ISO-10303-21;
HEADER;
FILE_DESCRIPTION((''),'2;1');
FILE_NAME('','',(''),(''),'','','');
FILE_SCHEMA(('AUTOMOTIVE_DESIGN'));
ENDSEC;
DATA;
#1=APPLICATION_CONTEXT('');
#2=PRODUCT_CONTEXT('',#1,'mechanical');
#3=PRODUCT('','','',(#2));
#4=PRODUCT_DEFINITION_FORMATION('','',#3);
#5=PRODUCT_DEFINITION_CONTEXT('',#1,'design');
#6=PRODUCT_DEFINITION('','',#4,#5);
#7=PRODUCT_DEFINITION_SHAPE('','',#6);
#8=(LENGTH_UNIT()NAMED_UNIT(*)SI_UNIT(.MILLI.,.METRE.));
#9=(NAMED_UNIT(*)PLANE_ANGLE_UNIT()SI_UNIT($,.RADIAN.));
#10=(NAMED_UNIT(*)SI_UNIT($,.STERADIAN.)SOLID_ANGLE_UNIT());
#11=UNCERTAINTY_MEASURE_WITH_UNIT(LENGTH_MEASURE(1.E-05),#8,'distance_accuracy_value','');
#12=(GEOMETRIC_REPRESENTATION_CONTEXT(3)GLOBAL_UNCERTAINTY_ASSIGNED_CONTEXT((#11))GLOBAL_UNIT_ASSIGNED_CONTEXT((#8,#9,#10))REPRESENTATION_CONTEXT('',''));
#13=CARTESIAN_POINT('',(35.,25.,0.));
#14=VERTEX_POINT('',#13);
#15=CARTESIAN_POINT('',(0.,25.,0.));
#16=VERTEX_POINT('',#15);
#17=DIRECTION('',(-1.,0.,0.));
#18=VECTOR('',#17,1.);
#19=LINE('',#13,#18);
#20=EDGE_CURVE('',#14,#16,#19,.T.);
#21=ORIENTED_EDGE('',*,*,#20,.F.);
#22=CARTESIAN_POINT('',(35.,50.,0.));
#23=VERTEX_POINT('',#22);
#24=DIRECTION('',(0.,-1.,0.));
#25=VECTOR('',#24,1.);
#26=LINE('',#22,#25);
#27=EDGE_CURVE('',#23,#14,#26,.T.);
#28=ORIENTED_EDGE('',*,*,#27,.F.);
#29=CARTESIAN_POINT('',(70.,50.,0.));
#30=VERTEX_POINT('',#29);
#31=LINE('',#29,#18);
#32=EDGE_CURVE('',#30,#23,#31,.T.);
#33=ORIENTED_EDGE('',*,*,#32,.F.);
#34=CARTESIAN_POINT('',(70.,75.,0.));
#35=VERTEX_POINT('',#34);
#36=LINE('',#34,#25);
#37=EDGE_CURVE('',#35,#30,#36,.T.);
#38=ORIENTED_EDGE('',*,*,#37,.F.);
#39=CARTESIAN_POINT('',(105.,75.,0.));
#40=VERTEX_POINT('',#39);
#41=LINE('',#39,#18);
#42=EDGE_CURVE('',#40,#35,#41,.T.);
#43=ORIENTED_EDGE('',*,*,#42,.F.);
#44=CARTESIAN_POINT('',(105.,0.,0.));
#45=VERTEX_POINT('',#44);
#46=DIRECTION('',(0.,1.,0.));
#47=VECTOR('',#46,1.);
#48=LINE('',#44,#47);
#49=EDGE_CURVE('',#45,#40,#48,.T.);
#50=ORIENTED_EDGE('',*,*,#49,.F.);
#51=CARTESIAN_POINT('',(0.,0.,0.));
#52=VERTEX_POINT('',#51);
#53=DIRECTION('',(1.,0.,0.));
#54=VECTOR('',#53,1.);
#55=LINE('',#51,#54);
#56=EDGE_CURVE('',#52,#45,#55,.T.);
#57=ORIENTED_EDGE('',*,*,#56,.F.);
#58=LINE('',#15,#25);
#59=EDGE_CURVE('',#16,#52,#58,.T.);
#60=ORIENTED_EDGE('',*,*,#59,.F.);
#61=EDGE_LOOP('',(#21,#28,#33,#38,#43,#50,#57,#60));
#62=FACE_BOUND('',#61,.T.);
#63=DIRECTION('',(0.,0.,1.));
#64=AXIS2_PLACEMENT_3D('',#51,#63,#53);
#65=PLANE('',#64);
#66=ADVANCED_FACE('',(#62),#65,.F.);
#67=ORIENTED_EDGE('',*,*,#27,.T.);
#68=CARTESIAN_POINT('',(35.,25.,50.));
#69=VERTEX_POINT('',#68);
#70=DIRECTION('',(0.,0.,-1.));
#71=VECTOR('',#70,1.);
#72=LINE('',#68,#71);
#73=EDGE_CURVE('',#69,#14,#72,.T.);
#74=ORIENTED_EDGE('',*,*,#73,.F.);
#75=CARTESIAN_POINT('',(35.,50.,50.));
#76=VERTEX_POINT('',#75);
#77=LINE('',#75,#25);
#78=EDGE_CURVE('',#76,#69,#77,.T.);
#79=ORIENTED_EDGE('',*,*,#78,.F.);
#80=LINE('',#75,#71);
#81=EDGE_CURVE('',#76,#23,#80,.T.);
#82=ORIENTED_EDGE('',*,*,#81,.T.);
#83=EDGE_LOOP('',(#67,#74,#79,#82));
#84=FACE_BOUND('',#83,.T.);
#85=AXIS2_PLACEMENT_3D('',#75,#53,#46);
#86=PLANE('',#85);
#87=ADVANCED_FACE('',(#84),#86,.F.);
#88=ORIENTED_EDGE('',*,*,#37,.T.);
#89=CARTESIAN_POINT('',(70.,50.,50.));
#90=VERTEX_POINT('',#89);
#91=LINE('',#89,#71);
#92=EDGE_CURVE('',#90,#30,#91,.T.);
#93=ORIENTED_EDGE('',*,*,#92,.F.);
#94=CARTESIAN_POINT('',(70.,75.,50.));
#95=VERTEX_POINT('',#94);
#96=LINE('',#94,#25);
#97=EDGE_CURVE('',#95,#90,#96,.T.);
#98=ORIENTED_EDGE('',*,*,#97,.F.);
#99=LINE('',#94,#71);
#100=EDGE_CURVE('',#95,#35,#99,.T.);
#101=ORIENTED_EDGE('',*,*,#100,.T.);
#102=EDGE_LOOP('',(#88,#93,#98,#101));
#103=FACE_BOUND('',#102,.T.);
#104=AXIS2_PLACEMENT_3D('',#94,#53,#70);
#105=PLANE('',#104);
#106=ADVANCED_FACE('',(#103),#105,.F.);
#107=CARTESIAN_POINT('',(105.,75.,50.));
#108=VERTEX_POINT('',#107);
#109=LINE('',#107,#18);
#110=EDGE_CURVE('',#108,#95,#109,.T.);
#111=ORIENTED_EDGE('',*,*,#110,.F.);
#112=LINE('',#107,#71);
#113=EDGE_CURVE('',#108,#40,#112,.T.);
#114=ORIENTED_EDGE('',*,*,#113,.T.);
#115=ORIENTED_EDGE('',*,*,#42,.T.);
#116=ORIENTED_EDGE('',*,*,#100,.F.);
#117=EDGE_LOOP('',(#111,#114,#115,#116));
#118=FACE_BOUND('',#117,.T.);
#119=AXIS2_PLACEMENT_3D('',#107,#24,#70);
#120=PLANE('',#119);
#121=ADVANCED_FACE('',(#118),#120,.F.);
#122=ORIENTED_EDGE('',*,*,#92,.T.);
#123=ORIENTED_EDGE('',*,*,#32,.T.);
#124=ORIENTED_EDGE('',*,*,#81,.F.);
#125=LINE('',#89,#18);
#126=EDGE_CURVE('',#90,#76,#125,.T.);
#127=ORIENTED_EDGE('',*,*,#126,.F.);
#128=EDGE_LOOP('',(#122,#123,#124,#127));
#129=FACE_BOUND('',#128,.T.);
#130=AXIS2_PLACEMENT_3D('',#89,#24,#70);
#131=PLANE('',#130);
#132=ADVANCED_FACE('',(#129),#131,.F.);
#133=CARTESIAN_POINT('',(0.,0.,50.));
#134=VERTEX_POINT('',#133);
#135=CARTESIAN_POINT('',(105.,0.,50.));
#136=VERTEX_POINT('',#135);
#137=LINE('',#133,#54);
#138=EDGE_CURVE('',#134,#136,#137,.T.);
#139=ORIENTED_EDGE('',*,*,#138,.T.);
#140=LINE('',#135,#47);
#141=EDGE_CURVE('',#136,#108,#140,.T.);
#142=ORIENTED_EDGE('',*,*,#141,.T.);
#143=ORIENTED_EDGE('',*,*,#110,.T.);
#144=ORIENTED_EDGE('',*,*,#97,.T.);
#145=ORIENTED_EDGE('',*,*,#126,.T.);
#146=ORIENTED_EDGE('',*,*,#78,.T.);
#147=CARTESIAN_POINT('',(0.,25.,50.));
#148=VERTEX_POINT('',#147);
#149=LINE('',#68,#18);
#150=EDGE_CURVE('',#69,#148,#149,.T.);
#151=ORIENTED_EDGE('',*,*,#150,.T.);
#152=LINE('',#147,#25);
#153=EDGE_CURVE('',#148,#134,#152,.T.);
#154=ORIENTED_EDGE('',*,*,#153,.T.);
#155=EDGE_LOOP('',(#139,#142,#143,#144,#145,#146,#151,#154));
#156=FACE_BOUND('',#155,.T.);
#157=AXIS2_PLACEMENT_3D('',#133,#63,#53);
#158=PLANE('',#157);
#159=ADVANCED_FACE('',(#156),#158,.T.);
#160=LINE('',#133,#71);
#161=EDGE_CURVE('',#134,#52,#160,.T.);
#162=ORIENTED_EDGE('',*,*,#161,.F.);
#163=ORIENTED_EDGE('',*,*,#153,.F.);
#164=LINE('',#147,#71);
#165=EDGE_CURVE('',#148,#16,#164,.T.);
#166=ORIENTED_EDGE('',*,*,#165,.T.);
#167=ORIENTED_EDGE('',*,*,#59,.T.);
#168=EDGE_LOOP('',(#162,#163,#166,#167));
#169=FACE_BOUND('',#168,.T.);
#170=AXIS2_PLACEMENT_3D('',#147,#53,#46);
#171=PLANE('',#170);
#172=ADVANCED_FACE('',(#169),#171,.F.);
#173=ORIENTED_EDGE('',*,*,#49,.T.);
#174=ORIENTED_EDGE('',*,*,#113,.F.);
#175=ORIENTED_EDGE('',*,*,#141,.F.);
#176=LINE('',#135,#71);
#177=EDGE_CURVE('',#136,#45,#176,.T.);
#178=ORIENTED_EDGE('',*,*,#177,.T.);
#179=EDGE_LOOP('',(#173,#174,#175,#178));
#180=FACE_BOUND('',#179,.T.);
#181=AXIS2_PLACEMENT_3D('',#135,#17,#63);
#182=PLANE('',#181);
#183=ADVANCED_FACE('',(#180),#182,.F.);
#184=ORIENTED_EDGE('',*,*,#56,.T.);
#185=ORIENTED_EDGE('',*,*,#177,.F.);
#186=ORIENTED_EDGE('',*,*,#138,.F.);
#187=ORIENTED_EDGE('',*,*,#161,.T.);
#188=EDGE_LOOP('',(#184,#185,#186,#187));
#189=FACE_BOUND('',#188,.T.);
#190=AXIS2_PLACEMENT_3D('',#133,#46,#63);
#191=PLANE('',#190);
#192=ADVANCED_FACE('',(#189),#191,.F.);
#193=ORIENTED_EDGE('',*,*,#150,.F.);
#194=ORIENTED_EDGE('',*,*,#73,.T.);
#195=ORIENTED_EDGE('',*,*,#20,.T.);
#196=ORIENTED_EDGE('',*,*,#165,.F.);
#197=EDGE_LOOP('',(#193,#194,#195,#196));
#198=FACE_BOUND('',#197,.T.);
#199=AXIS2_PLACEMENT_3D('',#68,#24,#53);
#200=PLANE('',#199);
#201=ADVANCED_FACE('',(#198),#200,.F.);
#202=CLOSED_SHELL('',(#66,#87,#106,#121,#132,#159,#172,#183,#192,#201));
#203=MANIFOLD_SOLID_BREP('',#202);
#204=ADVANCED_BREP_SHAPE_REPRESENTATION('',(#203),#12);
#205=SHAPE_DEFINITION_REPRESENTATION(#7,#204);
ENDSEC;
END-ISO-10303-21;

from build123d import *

# Parameters (mm, degrees)
BOSS_EXTRUDE1_DEPTH = 50


with BuildPart() as part:
    # Sketch1 → Boss-Extrude1 (new body)
    with BuildSketch(Plane.XY):
        Polygon((0, 0), (105, 0), (105, 75), (70, 75), (70, 50), (35, 50), (35, 25), (0, 25), align=None)
    extrude(amount=BOSS_EXTRUDE1_DEPTH)


solid = part.part
